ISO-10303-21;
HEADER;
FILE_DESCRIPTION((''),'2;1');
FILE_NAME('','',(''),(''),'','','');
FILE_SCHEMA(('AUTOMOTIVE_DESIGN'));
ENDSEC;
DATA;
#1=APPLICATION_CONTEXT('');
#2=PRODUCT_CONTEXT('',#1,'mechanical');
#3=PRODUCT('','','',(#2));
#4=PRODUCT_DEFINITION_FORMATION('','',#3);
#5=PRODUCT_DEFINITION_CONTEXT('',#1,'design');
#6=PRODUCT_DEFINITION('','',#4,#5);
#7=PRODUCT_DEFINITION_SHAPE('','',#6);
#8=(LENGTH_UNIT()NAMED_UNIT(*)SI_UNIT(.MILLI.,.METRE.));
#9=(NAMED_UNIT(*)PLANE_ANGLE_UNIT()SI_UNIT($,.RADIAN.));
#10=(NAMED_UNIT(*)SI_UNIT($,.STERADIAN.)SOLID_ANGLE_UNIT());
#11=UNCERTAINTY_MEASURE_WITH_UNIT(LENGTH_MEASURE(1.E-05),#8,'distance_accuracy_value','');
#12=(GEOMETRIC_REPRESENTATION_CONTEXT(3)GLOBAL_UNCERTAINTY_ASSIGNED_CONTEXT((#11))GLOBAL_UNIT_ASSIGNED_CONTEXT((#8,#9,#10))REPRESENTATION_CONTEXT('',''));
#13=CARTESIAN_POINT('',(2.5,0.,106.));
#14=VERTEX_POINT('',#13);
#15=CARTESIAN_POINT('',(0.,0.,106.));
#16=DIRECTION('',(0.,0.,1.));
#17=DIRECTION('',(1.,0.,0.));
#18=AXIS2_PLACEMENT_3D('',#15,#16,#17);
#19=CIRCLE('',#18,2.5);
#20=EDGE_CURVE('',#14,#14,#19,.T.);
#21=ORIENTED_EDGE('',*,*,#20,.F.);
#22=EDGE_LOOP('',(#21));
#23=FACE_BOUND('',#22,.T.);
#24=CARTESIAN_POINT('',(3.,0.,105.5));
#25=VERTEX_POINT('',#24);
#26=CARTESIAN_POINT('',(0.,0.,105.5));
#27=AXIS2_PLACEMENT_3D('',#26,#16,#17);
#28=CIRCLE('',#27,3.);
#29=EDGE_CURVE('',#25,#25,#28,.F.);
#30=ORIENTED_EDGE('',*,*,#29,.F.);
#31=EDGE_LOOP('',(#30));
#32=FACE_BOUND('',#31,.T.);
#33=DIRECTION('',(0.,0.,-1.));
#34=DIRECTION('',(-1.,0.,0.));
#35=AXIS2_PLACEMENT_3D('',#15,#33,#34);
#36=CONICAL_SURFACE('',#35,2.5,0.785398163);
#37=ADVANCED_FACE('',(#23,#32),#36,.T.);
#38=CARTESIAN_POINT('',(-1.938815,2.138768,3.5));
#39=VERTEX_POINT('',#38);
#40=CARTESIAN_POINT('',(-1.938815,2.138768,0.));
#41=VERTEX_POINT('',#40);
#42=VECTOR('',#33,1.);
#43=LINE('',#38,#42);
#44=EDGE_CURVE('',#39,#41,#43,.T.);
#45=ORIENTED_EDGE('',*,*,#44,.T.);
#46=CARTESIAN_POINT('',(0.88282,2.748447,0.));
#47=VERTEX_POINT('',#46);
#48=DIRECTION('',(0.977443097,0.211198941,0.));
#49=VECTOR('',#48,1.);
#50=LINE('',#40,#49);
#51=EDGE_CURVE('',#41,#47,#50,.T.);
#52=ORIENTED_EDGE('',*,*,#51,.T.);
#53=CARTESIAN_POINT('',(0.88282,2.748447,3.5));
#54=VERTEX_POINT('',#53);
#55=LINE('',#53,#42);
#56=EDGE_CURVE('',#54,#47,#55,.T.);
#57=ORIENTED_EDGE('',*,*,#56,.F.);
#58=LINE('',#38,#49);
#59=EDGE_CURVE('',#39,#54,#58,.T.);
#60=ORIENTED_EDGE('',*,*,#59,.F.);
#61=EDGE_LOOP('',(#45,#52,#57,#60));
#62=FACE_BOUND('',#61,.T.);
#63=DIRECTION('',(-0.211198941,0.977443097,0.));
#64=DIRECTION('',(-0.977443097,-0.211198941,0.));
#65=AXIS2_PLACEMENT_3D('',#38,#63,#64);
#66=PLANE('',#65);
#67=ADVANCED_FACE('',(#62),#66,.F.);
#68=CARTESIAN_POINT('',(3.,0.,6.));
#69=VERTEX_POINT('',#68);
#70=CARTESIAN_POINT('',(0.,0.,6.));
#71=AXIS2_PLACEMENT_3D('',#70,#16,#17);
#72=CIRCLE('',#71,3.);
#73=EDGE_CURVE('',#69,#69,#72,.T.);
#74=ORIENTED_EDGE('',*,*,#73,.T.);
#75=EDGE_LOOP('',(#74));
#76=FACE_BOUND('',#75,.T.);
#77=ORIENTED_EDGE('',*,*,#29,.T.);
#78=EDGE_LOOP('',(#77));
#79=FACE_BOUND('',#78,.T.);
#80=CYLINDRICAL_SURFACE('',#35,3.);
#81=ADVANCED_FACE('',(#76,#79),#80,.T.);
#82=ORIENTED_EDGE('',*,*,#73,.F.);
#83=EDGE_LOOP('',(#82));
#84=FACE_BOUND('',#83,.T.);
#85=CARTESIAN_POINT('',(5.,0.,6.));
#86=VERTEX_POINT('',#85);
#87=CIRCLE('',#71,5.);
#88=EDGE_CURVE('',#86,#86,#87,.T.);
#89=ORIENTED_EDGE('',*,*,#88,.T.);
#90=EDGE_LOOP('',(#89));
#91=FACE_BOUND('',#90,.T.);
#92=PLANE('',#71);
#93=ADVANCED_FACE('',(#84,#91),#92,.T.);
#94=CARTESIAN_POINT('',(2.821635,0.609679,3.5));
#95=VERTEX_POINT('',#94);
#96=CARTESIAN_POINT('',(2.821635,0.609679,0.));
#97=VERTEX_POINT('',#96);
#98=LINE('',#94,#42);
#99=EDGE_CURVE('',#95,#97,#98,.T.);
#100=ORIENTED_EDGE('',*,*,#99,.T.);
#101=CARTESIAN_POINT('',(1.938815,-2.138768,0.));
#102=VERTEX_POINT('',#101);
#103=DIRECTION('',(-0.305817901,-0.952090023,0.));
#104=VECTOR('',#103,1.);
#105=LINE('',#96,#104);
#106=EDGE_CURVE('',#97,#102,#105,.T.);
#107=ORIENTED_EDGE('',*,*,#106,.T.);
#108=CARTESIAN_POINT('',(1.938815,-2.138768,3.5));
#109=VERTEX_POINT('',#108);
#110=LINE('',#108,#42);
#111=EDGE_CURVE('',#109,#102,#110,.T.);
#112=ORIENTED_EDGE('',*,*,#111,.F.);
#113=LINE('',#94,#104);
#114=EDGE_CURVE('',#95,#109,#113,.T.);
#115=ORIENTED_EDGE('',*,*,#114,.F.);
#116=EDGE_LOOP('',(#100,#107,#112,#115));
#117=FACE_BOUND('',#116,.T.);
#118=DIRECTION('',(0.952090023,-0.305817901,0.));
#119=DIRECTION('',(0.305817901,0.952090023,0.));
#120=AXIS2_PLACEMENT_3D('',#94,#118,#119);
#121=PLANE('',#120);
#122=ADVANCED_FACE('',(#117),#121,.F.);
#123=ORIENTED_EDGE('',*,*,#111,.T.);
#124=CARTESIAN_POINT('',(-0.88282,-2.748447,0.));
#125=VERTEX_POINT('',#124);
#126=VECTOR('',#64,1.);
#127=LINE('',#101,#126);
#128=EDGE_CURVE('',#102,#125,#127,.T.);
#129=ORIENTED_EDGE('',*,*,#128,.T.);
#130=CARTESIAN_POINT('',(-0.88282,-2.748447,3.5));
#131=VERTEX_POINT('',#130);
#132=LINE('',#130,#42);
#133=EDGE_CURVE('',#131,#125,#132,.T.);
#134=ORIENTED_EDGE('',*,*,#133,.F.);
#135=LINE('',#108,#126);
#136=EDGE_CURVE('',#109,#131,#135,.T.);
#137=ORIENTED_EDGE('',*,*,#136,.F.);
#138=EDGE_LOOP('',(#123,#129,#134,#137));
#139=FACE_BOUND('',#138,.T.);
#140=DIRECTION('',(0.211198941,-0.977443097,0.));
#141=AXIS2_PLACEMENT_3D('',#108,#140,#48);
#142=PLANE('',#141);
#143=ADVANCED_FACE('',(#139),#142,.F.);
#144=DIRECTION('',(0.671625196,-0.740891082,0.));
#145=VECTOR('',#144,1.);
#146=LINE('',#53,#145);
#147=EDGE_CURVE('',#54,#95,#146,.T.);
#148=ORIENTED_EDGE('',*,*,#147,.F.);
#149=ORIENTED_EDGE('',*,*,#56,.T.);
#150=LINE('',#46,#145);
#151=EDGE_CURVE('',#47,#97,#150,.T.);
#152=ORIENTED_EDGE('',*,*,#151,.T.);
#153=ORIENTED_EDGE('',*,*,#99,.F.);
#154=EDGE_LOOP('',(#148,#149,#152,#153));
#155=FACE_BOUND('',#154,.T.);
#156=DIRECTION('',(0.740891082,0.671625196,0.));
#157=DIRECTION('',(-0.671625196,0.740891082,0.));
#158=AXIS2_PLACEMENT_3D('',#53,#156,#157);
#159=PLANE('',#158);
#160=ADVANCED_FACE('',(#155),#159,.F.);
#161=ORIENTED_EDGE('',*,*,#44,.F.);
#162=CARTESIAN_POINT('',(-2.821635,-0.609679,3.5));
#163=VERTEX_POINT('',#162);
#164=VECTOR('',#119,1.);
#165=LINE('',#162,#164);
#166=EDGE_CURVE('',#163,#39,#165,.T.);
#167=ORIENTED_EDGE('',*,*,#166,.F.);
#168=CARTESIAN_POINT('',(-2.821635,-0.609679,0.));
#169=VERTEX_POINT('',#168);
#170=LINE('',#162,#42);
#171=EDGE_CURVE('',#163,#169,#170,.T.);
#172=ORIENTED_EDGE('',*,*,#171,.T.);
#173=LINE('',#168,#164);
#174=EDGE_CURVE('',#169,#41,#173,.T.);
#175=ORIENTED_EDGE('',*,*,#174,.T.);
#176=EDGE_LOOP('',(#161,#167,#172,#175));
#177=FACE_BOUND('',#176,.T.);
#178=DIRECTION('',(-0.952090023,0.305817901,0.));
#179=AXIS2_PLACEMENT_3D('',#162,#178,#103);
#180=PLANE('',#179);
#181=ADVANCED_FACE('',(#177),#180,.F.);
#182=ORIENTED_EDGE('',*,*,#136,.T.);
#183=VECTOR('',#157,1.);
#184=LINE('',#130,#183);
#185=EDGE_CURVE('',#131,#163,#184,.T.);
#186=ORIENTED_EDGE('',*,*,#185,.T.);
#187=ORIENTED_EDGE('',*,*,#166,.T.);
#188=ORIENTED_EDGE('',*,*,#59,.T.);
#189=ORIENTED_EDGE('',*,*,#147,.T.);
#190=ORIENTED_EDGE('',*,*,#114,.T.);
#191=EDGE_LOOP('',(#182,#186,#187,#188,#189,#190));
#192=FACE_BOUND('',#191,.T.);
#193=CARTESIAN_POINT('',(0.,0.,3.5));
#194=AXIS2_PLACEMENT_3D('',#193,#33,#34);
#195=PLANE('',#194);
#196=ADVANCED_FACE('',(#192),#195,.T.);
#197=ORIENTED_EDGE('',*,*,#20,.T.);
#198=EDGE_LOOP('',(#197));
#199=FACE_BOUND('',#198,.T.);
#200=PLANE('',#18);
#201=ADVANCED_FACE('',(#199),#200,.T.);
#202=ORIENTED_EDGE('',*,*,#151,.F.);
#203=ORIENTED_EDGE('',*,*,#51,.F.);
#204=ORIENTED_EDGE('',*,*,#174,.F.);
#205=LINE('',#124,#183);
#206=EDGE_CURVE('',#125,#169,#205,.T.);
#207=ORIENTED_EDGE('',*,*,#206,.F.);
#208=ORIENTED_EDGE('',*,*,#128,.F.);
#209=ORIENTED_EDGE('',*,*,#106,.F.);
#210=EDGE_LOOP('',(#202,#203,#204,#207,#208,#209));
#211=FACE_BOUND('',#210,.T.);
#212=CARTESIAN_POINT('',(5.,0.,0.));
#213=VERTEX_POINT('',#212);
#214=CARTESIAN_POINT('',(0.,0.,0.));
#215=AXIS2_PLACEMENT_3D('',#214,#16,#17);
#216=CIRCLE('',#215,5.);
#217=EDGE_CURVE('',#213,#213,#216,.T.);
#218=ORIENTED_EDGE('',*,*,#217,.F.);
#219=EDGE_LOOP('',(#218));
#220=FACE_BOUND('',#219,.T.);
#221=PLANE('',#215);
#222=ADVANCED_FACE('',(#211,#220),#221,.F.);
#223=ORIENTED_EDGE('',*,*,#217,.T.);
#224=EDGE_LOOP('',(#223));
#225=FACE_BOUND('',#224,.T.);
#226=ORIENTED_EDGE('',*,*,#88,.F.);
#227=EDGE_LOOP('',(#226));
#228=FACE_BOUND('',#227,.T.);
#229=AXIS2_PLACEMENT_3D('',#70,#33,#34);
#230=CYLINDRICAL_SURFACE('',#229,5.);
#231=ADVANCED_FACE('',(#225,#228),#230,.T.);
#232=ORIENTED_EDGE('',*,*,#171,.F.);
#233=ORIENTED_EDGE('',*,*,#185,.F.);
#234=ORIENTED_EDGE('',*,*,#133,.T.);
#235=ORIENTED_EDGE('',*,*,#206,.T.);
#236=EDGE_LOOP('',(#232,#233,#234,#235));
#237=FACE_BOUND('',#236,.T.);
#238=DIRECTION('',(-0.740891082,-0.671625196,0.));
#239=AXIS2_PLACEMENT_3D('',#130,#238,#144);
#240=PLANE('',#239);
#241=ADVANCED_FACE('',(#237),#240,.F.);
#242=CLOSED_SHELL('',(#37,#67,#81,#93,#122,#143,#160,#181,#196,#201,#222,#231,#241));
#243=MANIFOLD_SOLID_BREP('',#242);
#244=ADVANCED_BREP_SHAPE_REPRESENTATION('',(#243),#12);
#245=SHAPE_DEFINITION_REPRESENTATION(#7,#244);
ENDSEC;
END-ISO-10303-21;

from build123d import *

# Parameters (mm, degrees)
ESQUISSE1_R             = 5
BOSS_EXTRU_1_DEPTH      = 6
ESQUISSE2_R             = 3
BOSS_EXTRU_2_DEPTH      = 100
CHANFREIN1_SIZE         = 0.5
ENL_V_MAT_EXTRU_1_DEPTH = 3.5


with BuildPart() as part:
    # Esquisse1 → Boss.-Extru.1 (new body)
    with BuildSketch(Plane.XY):
        Circle(ESQUISSE1_R)
    extrude(amount=BOSS_EXTRU_1_DEPTH)

    # Esquisse2 → Boss.-Extru.2 (add)
    with BuildSketch(Plane.XY.offset(6)):
        Circle(ESQUISSE2_R)
    extrude(amount=BOSS_EXTRU_2_DEPTH)

    # Chanfrein1
    chanfrein1_edges = [part.edges().sort_by_distance(p)[0] for p in [
        (-3, 0, 106),
    ]]
    chamfer(chanfrein1_edges, length=CHANFREIN1_SIZE)

    # Esquisse3 → Enlèv. mat.-Extru.1 (cut)
    with BuildSketch(Plane(origin=(0, 0, 0), x_dir=(-1, 0, 0), z_dir=(0, 0, -1))):
        Polygon((-1.938814939, -2.138768329), (0.882820236, -2.748447155), (2.821635175, -0.609678826), (1.938814939, 2.138768329), (-0.882820236, 2.748447155), (-2.821635175, 0.609678826), align=None)
    extrude(amount=-ENL_V_MAT_EXTRU_1_DEPTH, mode=Mode.SUBTRACT)


solid = part.part
